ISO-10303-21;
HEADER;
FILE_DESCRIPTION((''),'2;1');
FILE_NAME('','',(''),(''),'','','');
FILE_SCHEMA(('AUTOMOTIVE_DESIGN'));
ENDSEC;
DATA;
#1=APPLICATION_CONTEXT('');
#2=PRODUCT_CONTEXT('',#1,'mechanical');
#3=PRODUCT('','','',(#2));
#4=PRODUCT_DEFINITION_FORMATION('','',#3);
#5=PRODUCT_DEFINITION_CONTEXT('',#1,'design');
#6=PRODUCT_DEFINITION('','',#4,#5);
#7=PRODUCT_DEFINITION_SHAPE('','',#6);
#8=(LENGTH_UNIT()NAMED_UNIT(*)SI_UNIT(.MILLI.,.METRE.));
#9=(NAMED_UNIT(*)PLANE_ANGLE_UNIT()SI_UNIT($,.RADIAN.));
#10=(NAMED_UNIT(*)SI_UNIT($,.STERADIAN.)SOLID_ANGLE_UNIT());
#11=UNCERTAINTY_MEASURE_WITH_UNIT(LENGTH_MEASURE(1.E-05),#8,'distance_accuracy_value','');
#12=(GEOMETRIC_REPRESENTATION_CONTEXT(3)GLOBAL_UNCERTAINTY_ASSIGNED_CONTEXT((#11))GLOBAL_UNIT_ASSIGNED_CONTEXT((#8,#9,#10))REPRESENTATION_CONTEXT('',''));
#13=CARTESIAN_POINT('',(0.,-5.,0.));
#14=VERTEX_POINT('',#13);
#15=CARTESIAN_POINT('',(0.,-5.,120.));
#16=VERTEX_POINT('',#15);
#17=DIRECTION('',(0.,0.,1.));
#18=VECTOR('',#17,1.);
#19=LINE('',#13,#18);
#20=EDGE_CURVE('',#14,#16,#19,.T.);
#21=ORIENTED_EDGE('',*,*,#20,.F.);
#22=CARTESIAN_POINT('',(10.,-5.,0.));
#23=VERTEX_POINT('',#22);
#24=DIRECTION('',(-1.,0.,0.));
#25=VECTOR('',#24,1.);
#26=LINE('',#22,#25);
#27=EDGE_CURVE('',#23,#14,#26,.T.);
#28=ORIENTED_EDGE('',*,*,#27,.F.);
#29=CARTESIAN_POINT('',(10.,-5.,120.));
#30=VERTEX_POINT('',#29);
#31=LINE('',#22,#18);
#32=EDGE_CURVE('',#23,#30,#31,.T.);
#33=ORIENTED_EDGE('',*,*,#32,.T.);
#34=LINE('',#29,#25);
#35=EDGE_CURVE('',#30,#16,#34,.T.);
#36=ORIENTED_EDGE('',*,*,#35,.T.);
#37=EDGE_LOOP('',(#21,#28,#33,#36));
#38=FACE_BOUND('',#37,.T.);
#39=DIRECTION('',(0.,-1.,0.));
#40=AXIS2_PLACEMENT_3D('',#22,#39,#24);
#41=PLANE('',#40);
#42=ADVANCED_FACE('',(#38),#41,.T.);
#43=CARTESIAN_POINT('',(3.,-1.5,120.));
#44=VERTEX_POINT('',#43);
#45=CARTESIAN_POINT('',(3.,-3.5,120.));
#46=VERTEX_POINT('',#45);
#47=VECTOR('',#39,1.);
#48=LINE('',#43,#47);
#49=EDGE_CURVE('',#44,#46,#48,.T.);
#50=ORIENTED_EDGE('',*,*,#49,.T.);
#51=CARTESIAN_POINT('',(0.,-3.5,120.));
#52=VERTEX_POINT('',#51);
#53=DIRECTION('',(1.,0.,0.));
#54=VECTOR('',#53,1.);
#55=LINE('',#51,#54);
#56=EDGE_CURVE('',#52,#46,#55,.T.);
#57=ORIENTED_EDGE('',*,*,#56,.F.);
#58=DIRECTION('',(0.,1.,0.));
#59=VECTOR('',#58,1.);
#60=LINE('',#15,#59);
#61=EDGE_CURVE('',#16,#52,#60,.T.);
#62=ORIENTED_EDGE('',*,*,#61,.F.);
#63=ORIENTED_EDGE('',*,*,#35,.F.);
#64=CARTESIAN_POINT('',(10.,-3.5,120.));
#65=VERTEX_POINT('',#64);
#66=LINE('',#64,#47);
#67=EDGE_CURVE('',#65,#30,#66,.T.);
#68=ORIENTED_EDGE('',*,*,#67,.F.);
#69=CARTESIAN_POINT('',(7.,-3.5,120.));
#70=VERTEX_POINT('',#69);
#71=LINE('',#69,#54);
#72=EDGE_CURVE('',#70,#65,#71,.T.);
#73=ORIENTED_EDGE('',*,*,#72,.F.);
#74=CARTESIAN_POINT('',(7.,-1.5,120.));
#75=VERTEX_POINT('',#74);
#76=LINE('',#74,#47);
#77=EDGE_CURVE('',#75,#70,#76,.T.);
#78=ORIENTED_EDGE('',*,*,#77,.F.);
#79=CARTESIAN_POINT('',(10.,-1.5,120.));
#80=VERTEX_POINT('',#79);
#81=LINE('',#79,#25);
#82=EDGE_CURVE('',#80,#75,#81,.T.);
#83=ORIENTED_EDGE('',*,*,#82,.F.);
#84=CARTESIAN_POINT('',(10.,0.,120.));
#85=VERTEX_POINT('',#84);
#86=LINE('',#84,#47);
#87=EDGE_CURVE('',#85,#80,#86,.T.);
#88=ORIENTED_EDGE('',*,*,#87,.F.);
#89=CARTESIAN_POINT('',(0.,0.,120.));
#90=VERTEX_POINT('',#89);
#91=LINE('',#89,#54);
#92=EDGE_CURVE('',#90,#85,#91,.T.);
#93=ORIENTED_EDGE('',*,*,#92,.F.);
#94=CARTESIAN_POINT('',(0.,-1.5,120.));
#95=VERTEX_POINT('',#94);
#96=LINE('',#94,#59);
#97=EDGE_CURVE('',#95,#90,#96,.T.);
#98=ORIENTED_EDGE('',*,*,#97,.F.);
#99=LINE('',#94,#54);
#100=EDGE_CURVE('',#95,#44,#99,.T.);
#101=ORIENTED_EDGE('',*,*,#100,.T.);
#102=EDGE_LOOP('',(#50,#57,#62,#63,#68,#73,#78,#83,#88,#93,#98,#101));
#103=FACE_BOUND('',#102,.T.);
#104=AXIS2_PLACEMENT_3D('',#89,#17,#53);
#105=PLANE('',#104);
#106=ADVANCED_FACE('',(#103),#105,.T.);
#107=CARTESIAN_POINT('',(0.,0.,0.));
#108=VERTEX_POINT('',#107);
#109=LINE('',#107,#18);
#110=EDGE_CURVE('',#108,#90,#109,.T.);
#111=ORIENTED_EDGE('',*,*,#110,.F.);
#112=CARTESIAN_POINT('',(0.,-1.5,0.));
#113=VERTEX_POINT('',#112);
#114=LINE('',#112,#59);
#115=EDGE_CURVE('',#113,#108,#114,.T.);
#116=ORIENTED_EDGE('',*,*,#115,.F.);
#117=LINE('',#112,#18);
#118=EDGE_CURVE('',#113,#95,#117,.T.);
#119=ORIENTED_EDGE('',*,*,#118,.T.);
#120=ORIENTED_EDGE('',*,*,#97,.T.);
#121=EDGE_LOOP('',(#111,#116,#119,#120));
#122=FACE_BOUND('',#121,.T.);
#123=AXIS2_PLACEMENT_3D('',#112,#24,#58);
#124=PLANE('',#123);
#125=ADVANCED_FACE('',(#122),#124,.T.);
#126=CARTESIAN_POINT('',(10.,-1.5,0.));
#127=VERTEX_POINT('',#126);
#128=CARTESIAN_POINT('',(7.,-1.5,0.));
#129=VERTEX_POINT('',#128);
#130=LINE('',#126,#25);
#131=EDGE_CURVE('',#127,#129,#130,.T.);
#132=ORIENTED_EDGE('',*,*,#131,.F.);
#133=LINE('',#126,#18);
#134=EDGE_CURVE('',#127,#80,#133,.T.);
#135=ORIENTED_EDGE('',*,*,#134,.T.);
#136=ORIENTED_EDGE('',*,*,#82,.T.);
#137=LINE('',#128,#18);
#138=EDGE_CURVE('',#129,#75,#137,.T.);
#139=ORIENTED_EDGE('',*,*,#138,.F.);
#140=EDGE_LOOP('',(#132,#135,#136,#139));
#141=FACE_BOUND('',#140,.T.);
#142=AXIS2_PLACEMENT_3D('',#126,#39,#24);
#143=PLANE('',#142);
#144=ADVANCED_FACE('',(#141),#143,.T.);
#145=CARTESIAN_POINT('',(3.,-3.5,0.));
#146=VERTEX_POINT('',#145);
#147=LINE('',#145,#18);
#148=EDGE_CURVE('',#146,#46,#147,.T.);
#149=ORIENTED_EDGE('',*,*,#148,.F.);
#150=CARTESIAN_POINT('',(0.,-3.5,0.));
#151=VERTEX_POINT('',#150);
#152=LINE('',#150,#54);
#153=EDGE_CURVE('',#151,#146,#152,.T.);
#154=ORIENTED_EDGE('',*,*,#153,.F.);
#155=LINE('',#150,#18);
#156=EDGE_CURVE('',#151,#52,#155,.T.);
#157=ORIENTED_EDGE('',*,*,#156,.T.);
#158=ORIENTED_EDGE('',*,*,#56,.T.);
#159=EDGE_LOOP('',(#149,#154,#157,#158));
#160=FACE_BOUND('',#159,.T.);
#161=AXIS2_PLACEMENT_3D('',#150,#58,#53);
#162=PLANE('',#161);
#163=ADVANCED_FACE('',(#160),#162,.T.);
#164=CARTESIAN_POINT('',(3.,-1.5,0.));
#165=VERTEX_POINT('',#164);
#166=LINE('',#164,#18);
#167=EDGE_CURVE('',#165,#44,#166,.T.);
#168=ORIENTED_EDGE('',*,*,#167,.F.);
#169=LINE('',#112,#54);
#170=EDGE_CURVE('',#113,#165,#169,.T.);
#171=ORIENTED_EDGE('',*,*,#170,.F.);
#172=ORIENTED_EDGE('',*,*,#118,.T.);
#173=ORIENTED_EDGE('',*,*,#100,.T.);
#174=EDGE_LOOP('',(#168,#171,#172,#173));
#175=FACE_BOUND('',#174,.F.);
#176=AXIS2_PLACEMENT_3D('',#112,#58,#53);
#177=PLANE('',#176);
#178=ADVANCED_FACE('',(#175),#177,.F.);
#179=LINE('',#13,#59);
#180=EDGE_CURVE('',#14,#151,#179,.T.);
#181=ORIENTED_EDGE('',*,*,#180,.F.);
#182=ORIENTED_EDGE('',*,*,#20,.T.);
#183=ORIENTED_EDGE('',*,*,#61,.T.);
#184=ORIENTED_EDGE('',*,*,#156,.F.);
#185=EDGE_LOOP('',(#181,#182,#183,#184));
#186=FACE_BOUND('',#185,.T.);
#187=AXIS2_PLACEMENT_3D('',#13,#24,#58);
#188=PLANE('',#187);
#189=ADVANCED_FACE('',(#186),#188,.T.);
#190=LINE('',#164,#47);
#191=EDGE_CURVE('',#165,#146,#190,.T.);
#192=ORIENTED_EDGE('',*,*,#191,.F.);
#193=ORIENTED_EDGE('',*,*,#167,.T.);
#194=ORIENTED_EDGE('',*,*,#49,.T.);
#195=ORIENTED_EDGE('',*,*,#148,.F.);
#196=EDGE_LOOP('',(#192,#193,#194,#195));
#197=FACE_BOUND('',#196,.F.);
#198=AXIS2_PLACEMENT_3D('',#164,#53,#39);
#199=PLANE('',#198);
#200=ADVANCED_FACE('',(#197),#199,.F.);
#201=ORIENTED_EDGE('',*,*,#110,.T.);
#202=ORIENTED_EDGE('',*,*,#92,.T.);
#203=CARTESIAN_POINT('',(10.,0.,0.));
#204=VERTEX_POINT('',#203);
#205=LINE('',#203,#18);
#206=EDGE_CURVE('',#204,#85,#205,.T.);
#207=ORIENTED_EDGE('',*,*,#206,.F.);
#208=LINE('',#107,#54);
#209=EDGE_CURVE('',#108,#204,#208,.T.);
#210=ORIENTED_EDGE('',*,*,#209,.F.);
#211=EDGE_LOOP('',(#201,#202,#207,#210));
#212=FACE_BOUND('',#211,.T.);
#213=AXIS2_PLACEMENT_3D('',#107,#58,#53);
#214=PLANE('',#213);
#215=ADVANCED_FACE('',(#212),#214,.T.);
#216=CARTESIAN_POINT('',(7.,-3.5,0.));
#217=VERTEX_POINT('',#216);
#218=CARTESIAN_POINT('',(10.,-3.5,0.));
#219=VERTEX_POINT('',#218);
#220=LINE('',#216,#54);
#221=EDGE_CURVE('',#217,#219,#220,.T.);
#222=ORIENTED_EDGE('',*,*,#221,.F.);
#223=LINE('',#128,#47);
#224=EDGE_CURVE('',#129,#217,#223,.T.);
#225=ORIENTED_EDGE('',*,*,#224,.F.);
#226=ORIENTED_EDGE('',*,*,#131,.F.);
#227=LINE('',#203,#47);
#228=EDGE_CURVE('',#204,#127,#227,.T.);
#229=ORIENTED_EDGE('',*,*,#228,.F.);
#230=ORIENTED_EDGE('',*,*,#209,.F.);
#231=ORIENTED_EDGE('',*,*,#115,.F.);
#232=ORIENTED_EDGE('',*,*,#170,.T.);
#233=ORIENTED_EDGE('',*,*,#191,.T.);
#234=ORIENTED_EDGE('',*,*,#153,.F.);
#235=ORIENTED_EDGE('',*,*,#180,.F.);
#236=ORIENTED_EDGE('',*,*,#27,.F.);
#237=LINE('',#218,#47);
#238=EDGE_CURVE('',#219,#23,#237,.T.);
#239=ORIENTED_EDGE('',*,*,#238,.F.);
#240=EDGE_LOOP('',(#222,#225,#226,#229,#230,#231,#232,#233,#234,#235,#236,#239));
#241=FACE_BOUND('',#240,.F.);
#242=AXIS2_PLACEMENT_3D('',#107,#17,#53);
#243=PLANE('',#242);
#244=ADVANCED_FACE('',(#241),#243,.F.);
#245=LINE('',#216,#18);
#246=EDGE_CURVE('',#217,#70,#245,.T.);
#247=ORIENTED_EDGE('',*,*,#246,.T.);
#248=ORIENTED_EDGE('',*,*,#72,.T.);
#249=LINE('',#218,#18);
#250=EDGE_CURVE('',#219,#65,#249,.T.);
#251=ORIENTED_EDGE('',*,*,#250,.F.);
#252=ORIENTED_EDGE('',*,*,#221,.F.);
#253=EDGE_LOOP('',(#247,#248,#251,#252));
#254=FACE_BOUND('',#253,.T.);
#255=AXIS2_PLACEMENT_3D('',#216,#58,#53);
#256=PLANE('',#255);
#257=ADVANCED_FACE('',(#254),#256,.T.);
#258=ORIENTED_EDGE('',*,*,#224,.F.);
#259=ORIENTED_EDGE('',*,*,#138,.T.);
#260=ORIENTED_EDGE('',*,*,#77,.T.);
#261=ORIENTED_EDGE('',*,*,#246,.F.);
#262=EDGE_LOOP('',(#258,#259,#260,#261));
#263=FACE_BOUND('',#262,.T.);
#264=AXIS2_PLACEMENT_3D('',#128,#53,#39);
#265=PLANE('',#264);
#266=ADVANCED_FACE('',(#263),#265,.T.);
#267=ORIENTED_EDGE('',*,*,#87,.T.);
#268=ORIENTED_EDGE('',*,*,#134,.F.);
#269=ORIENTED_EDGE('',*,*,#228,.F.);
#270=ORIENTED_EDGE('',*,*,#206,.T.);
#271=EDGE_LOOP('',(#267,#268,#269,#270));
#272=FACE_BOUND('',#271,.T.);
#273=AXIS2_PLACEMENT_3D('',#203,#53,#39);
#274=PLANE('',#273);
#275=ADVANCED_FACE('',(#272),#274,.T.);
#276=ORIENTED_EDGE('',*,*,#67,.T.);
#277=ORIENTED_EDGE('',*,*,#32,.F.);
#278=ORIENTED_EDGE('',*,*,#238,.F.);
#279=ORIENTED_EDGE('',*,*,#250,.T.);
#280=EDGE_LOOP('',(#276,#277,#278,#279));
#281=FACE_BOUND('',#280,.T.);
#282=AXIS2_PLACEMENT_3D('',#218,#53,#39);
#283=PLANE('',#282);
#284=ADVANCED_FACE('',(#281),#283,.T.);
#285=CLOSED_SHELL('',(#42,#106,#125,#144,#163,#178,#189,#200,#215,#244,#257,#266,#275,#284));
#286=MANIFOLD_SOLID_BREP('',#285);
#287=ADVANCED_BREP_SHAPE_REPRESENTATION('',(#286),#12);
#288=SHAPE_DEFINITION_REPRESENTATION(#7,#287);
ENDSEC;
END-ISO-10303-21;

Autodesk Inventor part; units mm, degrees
ref_plane "YZ Plane" through (0, 0, 0) normal (1, 0, 0) x (0, 1, 0)
ref_plane "XZ Plane" through (0, 0, 0) normal (0, 1, 0) x (-1, 0, 0)
ref_plane "XY Plane" through (0, 0, 0) normal (0, 0, 1) x (1, 0, 0)
sketch "Boceto1" plane through (0, 0, 0) normal (0, 0, 1) x (1, 0, 0)
  line L0 (0, 0) -> (10, 0)
  line L1 (10, 0) -> (10, -1.5)
  line L2 (10, -1.5) -> (7, -1.5)
  line L3 (7, -1.5) -> (7, -3.5)
  line L4 (7, -3.5) -> (10, -3.5)
  line L5 (10, -3.5) -> (10, -5)
  line L6 (10, -5) -> (0, -5)
  line L7 (0, -5) -> (0, -3.5)
  line L8 (0, -3.5) -> (3, -3.5)
  line L9 (0, -1.5) -> (0, 0)
  line L10 (0, -1.5) -> (3, -1.5)
  line L11 (3, -1.5) -> (3, -3.5)
  dimension "d0" = 10
  dimension "d1" = 1.5
  dimension "d2" = 3
  dimension "d3" = 2
  dimension "d4" = 1.5
  dimension "d5" = 1.5
  dimension "d6" = 3
  dimension "d7" = 3
extrude "Extrusión1" add sketch "Boceto1" along normal blind 120
properties part number "Riel"
